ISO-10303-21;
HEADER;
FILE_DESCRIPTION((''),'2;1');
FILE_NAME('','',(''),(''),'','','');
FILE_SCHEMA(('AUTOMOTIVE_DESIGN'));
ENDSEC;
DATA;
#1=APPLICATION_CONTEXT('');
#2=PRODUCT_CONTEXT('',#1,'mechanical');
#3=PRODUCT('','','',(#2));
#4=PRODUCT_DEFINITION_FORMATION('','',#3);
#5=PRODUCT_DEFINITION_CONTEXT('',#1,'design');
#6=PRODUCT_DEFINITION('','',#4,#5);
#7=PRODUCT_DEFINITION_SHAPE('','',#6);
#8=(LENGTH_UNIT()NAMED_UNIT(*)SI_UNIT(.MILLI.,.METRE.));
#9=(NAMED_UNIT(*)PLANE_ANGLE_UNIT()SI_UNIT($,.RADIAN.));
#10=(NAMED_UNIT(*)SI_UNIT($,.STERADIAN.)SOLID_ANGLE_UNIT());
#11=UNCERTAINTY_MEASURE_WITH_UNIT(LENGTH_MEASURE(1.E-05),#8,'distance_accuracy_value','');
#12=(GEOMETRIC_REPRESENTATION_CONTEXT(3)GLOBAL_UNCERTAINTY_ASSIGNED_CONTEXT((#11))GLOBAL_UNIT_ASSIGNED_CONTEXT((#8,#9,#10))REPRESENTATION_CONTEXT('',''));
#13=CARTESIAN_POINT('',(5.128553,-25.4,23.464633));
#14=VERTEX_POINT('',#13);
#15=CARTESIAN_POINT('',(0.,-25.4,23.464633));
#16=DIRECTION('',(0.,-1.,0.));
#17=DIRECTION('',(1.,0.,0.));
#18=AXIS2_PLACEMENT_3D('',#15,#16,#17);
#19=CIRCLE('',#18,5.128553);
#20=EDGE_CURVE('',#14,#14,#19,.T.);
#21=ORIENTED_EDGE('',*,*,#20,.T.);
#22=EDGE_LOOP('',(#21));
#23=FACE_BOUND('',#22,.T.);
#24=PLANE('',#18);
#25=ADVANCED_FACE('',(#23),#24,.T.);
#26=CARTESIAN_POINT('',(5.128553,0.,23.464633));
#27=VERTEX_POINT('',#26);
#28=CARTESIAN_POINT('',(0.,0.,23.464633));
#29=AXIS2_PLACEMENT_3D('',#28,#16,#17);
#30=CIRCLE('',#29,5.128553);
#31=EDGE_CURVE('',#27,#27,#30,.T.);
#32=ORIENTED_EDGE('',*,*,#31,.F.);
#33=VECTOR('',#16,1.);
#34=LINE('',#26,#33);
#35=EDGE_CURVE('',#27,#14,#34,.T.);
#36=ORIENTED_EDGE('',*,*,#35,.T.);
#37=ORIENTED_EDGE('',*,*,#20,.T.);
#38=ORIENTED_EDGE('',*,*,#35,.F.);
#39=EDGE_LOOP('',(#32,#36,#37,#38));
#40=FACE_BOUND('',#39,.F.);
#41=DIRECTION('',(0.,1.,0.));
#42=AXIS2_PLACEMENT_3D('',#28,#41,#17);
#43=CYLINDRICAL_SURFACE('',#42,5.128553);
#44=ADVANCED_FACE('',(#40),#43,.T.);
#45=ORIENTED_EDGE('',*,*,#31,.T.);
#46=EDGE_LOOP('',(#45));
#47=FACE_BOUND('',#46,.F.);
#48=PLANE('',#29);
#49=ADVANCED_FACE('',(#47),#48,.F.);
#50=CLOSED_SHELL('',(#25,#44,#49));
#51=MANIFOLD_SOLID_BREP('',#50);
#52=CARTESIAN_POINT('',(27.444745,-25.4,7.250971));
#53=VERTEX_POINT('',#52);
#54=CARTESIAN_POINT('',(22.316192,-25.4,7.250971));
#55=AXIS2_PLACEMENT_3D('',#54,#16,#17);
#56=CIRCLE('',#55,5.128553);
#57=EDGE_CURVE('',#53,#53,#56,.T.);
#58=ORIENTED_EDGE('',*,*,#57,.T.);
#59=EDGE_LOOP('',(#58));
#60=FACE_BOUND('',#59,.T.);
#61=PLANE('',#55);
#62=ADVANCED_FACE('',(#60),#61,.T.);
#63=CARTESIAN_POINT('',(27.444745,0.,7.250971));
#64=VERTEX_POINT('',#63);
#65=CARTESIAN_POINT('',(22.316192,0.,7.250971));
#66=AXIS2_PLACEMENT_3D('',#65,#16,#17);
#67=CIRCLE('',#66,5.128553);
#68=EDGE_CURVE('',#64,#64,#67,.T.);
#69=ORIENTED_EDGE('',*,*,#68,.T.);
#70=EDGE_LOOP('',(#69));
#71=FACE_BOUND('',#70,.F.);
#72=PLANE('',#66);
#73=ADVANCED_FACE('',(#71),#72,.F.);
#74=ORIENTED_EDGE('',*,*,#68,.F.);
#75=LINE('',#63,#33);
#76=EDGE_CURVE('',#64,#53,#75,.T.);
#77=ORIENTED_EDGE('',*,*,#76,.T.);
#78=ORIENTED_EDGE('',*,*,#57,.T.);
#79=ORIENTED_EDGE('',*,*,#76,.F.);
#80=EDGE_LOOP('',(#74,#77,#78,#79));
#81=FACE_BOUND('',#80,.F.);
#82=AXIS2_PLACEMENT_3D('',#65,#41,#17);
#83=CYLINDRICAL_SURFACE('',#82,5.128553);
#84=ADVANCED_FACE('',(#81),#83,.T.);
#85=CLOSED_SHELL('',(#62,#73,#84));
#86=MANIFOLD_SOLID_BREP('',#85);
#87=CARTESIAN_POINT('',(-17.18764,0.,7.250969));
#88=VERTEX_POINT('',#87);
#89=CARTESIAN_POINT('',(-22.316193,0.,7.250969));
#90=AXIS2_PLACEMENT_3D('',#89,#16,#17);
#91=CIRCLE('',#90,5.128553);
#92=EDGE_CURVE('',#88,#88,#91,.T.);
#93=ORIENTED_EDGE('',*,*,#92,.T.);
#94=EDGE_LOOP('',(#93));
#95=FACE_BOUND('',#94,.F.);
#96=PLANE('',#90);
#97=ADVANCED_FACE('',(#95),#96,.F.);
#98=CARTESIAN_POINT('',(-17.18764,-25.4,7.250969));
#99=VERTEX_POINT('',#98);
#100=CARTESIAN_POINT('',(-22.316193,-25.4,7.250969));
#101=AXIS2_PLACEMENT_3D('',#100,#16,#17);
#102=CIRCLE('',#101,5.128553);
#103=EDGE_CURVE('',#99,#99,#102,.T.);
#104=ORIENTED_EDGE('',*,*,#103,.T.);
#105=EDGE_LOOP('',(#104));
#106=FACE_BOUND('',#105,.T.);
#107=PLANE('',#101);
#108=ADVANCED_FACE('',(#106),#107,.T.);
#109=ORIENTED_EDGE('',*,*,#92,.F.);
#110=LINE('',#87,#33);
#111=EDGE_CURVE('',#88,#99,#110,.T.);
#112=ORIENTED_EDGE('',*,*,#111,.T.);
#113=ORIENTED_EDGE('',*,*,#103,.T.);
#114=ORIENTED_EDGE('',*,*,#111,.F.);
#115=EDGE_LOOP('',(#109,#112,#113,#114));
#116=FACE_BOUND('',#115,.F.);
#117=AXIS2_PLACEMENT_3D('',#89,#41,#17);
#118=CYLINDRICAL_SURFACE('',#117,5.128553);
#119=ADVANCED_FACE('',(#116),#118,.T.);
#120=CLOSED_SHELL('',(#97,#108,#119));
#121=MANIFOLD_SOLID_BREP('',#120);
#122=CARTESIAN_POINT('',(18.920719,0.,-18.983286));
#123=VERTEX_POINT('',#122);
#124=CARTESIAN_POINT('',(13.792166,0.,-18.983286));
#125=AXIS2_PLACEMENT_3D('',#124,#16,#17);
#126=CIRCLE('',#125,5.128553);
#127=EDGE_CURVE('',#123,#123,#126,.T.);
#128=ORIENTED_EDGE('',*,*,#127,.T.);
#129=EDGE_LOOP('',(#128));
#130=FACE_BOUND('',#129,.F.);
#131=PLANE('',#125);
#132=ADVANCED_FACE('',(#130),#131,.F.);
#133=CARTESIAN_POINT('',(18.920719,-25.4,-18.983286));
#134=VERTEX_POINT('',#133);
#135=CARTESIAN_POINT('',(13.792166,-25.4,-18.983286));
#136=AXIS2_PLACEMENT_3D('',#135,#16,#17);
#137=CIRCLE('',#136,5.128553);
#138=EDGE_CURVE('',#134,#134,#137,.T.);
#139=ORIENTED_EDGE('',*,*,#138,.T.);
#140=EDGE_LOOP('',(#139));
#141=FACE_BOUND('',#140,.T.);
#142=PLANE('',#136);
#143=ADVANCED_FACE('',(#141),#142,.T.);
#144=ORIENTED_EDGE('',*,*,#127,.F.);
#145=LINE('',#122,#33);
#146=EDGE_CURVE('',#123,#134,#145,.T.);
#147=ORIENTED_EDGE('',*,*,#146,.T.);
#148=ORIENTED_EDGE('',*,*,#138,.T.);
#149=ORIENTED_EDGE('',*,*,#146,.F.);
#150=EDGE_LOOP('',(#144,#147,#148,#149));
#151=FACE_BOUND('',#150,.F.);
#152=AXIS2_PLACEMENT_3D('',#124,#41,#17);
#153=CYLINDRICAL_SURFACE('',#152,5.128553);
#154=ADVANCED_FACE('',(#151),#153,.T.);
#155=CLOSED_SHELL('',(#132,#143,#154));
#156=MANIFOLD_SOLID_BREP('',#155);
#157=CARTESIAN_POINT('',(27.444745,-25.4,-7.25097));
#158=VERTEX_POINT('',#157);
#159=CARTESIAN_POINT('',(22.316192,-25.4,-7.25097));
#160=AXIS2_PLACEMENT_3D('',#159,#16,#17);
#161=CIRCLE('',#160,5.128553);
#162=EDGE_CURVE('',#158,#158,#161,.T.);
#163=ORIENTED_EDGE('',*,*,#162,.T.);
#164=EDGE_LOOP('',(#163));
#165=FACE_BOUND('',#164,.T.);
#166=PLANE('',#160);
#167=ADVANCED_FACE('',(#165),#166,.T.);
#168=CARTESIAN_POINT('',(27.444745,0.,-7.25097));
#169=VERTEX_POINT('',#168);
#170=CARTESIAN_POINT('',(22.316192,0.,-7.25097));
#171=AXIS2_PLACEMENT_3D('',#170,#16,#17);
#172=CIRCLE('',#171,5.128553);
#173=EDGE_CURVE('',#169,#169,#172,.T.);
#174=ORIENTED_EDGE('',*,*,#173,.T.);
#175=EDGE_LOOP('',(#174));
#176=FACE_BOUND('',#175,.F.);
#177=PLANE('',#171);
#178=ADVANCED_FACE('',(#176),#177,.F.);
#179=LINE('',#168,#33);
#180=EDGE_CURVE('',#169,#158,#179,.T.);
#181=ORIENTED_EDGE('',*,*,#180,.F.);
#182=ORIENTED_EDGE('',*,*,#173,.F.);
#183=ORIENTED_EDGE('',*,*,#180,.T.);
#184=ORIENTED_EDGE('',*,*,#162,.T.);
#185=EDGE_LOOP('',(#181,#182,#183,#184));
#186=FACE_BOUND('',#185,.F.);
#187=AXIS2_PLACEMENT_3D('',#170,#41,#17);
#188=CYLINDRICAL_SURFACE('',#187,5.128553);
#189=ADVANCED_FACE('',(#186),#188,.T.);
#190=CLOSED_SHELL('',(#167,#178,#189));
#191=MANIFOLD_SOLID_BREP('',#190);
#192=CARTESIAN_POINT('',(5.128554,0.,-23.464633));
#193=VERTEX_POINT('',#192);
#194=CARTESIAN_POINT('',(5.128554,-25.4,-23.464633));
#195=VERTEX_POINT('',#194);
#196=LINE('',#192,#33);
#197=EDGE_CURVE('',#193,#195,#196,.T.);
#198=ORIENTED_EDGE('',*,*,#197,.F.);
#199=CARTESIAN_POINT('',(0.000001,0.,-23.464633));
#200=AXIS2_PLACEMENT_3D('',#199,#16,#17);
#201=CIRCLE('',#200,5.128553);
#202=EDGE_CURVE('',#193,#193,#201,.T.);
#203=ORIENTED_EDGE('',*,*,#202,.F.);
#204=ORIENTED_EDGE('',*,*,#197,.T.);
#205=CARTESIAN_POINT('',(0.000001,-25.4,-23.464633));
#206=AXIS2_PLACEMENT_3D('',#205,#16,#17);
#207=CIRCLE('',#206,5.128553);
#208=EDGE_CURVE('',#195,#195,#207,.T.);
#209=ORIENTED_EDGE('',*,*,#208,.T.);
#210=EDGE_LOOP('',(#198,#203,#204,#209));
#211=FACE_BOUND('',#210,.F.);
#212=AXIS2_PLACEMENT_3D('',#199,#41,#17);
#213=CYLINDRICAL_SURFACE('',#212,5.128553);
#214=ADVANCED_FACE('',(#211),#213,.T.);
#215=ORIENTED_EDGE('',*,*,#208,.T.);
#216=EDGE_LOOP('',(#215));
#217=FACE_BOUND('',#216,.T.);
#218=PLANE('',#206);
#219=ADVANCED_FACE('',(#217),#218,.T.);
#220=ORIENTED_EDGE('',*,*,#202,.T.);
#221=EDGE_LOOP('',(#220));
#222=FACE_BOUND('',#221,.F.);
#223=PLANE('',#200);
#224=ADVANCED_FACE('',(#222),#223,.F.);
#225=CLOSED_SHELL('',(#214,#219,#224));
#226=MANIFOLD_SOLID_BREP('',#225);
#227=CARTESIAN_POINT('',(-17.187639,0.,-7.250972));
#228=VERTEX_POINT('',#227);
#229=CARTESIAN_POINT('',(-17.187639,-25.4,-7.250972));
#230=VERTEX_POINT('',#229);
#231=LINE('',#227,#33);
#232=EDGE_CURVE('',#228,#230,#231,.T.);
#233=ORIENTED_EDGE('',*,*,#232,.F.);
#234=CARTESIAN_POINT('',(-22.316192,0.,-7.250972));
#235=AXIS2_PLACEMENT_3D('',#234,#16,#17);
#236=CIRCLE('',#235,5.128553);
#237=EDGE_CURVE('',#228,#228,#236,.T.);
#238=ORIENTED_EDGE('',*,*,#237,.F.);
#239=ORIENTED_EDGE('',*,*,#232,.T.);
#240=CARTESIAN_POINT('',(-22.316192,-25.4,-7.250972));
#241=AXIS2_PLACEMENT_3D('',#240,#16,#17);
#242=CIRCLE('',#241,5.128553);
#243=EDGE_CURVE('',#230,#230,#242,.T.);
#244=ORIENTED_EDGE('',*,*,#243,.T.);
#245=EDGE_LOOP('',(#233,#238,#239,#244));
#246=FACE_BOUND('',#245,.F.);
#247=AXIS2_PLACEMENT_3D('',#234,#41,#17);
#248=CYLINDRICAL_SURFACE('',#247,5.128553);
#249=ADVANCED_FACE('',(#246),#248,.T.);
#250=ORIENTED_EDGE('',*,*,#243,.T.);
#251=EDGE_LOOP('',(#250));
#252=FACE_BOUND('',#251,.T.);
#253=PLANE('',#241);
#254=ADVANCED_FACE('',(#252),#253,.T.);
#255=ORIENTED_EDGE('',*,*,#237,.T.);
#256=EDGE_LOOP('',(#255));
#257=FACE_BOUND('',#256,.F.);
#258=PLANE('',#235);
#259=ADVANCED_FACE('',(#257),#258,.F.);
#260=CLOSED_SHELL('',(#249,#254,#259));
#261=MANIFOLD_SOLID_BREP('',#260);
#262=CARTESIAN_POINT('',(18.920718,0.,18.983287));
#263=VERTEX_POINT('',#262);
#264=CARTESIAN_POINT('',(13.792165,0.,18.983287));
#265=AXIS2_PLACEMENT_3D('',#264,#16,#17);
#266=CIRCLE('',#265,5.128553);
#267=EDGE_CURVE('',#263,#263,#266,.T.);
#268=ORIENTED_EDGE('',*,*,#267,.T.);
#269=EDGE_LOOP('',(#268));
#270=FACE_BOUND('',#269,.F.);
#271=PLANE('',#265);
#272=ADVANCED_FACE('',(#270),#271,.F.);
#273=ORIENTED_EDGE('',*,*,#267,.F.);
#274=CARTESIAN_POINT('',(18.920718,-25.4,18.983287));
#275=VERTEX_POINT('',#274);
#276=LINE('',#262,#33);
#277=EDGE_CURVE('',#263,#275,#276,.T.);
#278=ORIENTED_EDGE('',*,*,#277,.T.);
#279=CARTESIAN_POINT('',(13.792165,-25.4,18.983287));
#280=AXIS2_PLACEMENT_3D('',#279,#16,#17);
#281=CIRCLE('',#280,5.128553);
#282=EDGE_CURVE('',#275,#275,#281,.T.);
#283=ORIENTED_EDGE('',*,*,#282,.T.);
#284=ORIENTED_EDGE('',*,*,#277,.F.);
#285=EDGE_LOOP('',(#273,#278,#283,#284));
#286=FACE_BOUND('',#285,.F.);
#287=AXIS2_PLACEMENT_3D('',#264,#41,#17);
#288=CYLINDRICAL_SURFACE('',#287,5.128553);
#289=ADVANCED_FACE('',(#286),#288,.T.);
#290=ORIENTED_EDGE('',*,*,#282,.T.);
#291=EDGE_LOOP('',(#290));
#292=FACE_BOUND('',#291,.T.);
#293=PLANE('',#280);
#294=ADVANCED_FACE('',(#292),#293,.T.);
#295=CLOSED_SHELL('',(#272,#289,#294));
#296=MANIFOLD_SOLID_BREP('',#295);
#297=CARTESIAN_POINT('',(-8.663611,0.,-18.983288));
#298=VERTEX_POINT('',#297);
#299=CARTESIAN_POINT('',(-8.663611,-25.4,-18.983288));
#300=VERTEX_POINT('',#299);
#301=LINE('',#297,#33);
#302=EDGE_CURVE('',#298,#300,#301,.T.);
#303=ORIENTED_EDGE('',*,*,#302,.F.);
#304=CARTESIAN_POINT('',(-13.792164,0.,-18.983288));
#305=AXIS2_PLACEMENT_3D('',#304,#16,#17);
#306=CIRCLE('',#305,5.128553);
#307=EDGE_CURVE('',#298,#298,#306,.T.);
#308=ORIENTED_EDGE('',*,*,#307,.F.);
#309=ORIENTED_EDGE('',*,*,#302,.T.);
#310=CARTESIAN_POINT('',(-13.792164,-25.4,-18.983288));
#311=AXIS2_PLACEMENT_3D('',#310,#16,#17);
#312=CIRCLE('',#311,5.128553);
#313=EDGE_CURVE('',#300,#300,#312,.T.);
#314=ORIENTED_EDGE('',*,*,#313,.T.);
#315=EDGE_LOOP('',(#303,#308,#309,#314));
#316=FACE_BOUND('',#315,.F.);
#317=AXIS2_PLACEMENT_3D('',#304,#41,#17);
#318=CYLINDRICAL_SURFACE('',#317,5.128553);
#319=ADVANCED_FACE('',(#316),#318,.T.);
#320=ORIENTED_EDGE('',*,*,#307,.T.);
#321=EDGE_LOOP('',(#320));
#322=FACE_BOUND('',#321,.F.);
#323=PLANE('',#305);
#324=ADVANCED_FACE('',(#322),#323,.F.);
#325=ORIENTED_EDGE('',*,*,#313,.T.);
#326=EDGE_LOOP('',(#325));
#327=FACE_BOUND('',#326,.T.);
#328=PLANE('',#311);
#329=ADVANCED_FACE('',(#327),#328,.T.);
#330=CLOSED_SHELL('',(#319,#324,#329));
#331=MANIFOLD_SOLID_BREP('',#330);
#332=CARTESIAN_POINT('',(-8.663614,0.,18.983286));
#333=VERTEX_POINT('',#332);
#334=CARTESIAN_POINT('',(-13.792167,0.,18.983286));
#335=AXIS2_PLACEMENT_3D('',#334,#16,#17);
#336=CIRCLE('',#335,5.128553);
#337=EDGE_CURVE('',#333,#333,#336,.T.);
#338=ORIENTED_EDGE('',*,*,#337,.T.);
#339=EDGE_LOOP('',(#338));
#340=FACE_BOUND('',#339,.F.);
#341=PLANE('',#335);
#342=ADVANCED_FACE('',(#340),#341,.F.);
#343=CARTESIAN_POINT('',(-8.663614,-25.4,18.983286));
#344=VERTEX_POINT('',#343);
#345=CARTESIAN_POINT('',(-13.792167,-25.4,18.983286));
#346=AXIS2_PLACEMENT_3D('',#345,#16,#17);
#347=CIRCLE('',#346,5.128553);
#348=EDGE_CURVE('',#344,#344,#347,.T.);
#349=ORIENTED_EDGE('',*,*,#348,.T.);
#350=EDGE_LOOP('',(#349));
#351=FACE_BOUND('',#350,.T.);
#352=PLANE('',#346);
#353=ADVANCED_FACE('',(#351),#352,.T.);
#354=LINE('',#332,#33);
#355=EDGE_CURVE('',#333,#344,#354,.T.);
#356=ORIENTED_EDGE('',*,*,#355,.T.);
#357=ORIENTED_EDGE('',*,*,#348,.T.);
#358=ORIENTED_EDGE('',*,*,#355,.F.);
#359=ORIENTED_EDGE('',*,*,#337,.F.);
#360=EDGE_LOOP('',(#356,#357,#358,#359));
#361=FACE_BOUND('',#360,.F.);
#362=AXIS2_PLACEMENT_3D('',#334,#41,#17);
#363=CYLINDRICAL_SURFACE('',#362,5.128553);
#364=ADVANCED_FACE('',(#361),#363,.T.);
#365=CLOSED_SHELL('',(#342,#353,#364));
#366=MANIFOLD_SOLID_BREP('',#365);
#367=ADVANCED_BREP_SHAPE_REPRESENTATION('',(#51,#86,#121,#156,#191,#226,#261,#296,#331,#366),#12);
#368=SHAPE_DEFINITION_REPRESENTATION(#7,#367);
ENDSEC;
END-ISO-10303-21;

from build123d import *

# Parameters (mm, degrees)
F1_R     = 5.128553
F0_R     = 5.128553
F2_DEPTH = 25.4


with BuildPart() as f2:
    # F1 (on face) + F0 (on Front) → F2 (new body)
    with BuildSketch(Plane.XZ):
        with Locations((0, 23.464633)):
            Circle(F1_R)
    with BuildSketch(Plane.XZ):
        with Locations((13.792165, 18.983287)):
            Circle(F0_R)
        with Locations((22.316192, 7.250971)):
            Circle(F0_R)
        with Locations((22.316192, -7.25097)):
            Circle(F0_R)
        with Locations((13.792166, -18.983286)):
            Circle(F0_R)
        with Locations((1e-06, -23.464633)):
            Circle(F0_R)
        with Locations((-13.792164, -18.983288)):
            Circle(F0_R)
        with Locations((-22.316192, -7.250972)):
            Circle(F0_R)
        with Locations((-22.316193, 7.250969)):
            Circle(F0_R)
        with Locations((-13.792167, 18.983286)):
            Circle(F0_R)
    extrude(amount=F2_DEPTH)


solid = f2.part
